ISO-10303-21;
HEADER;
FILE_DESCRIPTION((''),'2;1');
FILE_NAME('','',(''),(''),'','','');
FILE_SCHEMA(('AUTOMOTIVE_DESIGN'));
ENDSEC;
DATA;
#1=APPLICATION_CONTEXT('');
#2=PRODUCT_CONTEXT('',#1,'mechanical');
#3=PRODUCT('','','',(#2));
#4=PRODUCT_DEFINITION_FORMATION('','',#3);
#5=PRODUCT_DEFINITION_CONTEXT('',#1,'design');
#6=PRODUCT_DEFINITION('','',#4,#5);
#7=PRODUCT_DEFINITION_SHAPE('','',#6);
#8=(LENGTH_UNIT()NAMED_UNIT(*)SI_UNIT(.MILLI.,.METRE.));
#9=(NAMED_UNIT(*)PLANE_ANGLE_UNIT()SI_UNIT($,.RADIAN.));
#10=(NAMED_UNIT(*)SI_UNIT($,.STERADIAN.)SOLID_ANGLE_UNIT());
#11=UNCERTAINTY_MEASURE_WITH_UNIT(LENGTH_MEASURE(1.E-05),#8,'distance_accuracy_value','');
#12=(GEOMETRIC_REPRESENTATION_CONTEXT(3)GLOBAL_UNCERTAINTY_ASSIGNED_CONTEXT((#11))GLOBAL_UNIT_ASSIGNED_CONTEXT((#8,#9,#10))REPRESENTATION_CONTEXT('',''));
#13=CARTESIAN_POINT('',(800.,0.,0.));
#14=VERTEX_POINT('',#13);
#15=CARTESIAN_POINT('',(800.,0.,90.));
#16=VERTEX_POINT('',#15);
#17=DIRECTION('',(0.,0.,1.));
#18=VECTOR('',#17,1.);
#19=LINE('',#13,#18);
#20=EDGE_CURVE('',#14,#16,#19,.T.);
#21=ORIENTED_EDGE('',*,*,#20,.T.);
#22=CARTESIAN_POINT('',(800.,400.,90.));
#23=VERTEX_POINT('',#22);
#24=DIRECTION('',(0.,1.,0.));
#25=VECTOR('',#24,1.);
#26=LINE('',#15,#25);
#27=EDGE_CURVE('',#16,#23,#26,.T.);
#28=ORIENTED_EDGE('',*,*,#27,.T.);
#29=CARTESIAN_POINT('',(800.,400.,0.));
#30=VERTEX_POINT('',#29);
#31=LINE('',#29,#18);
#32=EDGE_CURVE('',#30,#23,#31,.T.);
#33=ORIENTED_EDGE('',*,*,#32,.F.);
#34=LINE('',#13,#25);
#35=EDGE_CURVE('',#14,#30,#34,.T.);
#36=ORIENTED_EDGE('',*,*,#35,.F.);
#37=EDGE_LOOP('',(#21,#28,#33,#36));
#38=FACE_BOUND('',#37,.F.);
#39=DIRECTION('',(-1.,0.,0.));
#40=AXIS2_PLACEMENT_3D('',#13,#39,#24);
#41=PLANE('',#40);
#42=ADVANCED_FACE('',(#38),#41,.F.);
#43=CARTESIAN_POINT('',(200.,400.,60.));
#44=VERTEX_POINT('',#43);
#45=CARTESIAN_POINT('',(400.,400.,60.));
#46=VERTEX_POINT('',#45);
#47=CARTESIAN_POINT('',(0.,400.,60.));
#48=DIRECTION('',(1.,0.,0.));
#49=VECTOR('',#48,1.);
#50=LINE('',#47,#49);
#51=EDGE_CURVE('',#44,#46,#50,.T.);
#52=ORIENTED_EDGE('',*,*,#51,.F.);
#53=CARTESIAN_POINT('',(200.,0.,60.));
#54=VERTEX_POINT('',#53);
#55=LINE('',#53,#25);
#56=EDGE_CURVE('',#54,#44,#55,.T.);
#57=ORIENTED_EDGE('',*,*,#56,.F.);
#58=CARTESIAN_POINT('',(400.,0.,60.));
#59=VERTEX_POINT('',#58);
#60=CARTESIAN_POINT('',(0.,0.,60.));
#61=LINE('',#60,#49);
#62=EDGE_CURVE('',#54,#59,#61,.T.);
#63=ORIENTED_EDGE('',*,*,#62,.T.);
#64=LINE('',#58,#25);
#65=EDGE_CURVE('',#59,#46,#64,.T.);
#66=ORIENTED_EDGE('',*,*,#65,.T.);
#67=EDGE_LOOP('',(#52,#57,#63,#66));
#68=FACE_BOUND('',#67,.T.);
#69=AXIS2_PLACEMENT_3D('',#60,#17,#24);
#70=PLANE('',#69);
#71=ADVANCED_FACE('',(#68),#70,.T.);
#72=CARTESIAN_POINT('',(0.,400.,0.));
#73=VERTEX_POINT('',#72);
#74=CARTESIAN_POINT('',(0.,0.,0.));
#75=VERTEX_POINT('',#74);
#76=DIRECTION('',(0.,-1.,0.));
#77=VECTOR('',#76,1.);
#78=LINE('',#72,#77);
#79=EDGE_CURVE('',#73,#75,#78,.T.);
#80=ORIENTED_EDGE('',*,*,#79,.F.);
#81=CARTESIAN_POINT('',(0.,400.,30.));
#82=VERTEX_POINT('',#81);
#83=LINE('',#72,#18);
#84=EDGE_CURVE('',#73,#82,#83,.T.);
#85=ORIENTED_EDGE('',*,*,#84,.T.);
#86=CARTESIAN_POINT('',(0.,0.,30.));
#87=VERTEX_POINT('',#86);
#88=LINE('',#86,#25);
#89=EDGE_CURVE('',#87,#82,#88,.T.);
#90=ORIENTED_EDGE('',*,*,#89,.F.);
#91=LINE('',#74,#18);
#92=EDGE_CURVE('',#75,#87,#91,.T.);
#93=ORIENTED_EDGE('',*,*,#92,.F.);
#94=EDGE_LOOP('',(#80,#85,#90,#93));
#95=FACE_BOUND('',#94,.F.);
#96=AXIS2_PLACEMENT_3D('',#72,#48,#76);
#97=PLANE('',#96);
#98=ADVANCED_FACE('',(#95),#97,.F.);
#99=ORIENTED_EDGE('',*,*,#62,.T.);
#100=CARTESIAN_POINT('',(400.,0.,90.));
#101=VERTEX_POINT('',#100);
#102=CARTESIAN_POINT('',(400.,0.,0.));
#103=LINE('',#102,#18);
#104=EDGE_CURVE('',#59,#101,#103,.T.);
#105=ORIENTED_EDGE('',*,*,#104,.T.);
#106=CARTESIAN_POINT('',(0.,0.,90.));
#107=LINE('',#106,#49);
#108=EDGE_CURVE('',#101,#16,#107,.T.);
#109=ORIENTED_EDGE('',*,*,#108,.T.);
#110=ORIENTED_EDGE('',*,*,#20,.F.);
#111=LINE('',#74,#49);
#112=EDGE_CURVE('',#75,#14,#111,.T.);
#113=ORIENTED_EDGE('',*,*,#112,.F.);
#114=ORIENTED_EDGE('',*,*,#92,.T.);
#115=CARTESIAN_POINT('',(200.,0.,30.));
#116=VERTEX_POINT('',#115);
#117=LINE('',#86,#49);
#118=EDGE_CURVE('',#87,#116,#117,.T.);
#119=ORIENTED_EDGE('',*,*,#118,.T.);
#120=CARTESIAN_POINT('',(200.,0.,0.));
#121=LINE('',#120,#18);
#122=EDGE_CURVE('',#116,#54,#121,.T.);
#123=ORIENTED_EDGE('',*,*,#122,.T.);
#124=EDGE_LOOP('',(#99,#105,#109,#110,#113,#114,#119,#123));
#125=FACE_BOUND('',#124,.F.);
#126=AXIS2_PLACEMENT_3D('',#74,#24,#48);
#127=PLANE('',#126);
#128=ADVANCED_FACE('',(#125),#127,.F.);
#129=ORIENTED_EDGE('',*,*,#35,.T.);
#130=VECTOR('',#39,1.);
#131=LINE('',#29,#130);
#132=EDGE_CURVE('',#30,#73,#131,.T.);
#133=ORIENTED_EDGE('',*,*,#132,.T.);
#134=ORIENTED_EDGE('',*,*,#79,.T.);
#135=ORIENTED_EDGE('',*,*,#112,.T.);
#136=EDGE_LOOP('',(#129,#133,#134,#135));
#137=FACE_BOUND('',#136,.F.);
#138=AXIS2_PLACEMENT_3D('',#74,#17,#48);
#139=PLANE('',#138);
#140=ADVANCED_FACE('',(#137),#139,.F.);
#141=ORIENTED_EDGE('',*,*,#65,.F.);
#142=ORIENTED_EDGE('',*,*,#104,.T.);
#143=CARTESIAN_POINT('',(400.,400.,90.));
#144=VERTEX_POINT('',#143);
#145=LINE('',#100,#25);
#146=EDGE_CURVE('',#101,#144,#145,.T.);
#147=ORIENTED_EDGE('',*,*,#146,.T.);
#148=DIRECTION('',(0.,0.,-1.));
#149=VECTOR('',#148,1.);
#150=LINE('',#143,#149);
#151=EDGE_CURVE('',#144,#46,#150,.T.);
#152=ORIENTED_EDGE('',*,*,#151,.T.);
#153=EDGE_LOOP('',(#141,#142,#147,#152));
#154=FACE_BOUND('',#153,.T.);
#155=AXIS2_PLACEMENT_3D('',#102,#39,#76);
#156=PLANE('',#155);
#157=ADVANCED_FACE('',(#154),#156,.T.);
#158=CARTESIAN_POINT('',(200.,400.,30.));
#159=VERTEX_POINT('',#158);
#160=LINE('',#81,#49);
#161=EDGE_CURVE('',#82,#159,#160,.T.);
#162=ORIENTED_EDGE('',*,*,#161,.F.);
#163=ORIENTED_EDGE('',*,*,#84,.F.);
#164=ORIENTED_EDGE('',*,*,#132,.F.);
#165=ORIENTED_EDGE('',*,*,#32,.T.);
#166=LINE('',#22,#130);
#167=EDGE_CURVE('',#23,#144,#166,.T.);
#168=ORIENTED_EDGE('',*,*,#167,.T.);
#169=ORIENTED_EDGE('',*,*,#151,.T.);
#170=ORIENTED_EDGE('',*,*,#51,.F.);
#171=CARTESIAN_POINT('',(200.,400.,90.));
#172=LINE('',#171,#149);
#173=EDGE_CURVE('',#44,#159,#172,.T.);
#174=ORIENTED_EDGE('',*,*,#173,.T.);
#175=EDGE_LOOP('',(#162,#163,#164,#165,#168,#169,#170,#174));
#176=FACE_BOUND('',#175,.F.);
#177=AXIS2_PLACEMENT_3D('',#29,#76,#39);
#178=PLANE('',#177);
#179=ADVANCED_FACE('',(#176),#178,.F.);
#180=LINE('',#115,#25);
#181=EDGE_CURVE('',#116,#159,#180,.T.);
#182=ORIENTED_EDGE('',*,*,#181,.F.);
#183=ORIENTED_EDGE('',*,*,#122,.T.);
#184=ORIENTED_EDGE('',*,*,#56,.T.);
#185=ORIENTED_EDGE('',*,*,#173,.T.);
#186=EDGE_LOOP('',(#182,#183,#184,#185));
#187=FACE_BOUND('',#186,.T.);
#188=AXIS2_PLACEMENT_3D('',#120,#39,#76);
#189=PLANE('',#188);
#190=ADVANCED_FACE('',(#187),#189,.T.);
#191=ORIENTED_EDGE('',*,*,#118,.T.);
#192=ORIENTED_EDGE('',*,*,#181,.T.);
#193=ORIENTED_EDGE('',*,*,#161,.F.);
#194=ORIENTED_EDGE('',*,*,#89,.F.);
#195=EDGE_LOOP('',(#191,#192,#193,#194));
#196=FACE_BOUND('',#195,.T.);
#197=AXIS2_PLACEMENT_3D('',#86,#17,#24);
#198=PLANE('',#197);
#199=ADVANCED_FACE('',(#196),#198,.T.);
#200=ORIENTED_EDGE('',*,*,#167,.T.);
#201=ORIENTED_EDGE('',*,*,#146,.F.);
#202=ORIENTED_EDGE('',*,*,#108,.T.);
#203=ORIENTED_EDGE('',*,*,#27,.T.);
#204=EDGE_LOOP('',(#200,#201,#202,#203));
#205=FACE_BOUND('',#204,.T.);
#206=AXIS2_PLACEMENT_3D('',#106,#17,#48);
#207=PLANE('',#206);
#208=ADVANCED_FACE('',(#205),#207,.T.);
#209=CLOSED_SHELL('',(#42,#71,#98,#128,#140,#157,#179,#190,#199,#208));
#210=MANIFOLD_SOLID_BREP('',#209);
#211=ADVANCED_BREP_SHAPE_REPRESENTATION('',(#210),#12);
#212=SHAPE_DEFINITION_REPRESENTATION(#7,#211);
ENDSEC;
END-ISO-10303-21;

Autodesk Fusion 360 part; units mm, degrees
sketch "Sketch1" plane through (0, 0, 0) normal (0, 0, 1) x (1, 0, 0)
  line L0 (0, 0) -> (800, 0)
  line L1 (800, 0) -> (800, 400)
  line L2 (800, 400) -> (0, 400)
  line L3 (0, 400) -> (0, 0)
  dimension "d1" = 800
  dimension "d2" = 400
extrude "Extrude1" add sketch "Sketch1" along normal blind 90
sketch "Sketch2" plane through (0, 0, 0) normal (-1, 0, 0) x (0, -1, 0)
  line L0 (-400, 0) -> (0, 0)
  line L1 (0, 0) -> (0, 90)
  line L2 (0, 90) -> (-400, 90)
  line L3 (-400, 90) -> (-400, 0)
  line L4 (-200, 90) -> (-200, 60) construction
  line L5 (-200, 60) -> (-200, 30) construction
  line L6 (-200, 30) -> (-200, 0) construction
  line L7 (-400, 90) -> (0, 90) construction
  line L8 (0, 90) -> (0, 60) construction
  line L9 (0, 60) -> (-400, 60)
  line L10 (-400, 60) -> (-400, 90) construction
  line L11 (-400, 60) -> (0, 60) construction
  line L12 (0, 60) -> (0, 30) construction
  line L13 (0, 30) -> (-400, 30)
  line L14 (-400, 30) -> (-400, 60) construction
  dimension "d5" = 30
  dimension "d6" = 30
extrude "Extrude2" cut sketch "Sketch2" against normal blind 400 contours L1 L2 L3 L9
extrude "Extrude3" cut sketch "Sketch2" against normal blind 200 contours L1 L3 L9 L13
